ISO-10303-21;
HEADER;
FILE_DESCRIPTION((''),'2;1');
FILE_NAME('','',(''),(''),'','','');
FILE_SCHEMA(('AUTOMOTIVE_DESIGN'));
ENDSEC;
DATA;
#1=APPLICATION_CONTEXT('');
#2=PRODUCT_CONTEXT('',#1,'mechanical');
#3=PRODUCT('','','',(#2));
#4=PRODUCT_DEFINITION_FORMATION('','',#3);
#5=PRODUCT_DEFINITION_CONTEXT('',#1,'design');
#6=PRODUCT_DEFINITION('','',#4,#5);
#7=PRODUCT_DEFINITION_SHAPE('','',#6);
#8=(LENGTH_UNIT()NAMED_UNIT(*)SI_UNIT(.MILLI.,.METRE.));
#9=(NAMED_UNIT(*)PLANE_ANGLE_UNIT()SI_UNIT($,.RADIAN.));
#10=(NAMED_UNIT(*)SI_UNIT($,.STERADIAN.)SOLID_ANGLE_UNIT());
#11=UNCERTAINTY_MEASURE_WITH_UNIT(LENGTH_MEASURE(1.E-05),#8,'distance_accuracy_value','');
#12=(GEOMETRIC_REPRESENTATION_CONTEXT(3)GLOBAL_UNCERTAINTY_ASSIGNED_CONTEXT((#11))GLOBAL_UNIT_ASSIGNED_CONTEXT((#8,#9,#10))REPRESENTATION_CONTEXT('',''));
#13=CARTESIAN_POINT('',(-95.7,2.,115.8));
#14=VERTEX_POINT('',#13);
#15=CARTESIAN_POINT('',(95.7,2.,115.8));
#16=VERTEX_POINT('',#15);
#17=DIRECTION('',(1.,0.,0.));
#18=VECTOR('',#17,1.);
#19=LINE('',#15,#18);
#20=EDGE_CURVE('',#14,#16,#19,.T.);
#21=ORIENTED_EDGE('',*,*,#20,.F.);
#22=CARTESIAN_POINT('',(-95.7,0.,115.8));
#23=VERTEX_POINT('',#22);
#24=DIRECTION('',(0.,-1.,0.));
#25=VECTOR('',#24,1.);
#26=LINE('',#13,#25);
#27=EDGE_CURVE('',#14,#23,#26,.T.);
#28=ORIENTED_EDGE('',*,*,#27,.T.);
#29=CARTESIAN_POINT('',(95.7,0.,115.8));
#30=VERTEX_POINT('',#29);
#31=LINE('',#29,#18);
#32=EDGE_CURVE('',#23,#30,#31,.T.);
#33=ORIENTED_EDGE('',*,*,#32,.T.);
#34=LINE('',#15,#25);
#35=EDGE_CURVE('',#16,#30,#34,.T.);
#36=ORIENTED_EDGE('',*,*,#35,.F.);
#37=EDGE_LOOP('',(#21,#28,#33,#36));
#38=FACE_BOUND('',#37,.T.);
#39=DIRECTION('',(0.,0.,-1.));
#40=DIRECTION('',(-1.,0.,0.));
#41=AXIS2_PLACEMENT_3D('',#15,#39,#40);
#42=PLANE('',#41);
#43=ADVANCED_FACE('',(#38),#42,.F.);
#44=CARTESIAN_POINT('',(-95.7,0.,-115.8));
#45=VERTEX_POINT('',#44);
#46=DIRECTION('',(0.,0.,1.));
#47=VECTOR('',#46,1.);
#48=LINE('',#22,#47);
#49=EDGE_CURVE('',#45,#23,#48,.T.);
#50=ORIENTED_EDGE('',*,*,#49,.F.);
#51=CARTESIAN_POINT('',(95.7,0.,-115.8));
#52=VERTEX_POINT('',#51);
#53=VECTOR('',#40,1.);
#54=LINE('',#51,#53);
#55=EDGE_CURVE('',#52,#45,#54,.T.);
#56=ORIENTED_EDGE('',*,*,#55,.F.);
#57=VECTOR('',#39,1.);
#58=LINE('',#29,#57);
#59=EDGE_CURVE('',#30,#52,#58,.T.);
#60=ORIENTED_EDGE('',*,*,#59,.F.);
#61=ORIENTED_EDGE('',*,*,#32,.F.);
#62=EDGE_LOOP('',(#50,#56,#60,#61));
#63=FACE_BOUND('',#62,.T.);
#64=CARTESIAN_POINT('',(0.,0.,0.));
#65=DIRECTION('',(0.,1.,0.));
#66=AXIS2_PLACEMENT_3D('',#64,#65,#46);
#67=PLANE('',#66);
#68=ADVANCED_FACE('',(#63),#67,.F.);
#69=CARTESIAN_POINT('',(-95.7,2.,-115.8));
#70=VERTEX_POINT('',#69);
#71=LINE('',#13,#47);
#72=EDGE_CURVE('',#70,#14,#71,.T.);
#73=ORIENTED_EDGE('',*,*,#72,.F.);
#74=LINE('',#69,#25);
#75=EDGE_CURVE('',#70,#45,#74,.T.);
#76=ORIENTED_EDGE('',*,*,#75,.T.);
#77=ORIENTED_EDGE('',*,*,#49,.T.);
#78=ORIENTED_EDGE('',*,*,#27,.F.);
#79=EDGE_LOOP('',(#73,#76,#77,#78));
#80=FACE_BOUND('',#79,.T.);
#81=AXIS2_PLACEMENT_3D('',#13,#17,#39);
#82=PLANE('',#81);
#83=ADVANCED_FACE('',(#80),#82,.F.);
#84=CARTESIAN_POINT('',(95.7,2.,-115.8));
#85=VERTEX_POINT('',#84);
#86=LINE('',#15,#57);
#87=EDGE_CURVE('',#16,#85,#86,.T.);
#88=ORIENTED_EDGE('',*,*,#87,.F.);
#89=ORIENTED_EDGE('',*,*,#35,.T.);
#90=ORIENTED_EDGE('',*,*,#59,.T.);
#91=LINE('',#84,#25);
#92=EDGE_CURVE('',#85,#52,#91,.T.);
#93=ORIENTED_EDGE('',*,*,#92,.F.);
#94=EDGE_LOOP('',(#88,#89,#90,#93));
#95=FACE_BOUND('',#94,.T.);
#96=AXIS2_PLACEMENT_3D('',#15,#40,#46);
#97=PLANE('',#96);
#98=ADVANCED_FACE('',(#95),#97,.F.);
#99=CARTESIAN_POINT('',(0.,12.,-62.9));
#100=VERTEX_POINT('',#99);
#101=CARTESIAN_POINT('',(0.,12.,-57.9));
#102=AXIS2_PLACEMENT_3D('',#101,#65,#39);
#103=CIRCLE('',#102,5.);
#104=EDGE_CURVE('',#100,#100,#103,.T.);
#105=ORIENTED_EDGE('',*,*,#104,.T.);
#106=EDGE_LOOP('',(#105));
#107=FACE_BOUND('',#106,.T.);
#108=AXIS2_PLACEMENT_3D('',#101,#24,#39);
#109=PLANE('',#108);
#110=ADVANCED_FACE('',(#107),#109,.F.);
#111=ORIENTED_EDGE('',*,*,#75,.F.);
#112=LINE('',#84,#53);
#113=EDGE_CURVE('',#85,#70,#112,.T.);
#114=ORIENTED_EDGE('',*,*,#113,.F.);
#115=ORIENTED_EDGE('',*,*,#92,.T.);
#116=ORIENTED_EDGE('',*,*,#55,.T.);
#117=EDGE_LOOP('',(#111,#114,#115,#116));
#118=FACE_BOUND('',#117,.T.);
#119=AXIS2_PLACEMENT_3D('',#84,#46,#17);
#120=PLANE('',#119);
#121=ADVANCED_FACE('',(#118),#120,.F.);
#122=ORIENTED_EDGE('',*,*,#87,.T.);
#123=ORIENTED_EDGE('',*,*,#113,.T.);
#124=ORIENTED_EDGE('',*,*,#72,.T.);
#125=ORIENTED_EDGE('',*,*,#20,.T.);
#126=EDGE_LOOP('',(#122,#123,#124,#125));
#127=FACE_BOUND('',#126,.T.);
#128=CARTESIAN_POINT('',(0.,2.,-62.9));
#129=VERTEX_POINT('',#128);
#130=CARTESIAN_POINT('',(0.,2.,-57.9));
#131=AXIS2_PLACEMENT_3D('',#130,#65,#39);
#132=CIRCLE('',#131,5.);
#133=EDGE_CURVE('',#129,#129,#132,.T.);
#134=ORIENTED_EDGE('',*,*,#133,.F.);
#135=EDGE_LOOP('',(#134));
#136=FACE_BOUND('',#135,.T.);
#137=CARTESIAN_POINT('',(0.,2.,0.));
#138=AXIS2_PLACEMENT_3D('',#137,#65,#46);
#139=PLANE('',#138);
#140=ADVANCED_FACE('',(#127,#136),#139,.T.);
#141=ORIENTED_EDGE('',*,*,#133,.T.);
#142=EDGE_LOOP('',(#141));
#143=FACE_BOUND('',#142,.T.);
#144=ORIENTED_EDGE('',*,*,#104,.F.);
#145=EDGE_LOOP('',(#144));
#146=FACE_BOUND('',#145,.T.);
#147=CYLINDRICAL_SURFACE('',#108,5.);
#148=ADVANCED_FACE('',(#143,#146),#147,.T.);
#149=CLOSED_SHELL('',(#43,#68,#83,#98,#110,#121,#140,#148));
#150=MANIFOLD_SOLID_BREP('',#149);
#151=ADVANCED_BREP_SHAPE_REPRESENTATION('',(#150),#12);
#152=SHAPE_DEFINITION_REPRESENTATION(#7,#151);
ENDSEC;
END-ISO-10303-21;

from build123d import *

# Parameters (mm, degrees)
SKETCH_1_W      = 191.4
SKETCH_1_H      = 231.6
EXTRUDE_1_DEPTH = 2
SKETCH_2_R      = 5
EXTRUDE_2_DEPTH = 10


with BuildPart() as part:
    # 草图1 → 凸台-拉伸1 (new body)
    with BuildSketch(Plane(origin=(0, 0, 0), x_dir=(1, 0, 0), z_dir=(0, 1, 0))):
        Rectangle(SKETCH_1_W, SKETCH_1_H)
    extrude(amount=EXTRUDE_1_DEPTH)

    # 草图2 → 凸台-拉伸2 (add)
    with BuildSketch(Plane(origin=(0, 2, 0), x_dir=(1, 0, 0), z_dir=(0, 1, 0))):
        with Locations(Location((0, 57.9, 0), (0, 0, 90))):
            Circle(SKETCH_2_R)
    extrude(amount=EXTRUDE_2_DEPTH)


solid = part.part
